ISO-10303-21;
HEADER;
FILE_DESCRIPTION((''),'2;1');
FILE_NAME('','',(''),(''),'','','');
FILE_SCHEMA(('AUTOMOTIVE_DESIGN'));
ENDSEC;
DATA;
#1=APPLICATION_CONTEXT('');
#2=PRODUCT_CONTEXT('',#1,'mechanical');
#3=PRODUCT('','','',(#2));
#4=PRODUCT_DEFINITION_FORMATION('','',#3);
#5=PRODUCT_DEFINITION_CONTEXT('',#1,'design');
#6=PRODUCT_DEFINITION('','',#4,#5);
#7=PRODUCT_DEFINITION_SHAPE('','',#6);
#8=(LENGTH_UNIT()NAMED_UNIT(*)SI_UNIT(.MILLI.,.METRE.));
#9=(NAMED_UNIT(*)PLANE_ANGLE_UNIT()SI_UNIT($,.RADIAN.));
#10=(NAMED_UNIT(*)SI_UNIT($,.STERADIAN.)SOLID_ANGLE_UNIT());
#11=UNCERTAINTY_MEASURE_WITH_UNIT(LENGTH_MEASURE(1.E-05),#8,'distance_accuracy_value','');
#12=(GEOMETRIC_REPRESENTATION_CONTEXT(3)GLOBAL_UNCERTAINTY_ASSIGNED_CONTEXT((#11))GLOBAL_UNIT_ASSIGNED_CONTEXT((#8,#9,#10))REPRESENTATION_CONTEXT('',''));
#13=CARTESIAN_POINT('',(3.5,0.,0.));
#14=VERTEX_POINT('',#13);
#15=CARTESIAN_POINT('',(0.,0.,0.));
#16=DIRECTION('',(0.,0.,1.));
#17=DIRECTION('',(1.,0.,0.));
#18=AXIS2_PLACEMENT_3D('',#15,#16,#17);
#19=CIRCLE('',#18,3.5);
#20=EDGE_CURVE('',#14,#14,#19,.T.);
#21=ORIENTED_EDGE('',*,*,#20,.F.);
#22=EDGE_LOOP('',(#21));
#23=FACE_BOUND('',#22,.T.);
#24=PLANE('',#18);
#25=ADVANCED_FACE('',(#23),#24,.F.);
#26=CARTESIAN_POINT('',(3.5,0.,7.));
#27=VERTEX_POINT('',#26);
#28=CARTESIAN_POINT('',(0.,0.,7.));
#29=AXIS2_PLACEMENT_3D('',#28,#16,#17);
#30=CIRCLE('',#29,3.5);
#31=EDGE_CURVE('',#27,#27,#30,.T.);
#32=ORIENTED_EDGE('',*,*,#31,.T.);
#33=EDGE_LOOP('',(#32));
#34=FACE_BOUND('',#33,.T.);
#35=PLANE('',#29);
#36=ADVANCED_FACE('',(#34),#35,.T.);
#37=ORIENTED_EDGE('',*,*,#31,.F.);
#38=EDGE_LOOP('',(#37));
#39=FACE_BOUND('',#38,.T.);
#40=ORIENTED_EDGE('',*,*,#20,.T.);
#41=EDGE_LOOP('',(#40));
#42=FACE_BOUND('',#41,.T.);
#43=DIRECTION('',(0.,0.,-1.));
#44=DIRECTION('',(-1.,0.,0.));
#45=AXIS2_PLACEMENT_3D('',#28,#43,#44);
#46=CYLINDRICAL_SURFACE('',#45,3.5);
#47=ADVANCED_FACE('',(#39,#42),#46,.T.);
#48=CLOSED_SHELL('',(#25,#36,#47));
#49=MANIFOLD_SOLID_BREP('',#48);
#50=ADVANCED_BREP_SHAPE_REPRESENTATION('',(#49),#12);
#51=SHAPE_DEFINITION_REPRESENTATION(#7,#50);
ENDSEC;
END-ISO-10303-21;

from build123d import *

# Parameters (mm, degrees)
IZIM1_R                     = 3.5
Y_KSEKLIK_EKSTR_ZYON1_DEPTH = 7


with BuildPart() as part:
    # Çizim1 → Yükseklik-Ekstrüzyon1 (new body)
    with BuildSketch(Plane.XY):
        Circle(IZIM1_R)
    extrude(amount=Y_KSEKLIK_EKSTR_ZYON1_DEPTH)


solid = part.part
